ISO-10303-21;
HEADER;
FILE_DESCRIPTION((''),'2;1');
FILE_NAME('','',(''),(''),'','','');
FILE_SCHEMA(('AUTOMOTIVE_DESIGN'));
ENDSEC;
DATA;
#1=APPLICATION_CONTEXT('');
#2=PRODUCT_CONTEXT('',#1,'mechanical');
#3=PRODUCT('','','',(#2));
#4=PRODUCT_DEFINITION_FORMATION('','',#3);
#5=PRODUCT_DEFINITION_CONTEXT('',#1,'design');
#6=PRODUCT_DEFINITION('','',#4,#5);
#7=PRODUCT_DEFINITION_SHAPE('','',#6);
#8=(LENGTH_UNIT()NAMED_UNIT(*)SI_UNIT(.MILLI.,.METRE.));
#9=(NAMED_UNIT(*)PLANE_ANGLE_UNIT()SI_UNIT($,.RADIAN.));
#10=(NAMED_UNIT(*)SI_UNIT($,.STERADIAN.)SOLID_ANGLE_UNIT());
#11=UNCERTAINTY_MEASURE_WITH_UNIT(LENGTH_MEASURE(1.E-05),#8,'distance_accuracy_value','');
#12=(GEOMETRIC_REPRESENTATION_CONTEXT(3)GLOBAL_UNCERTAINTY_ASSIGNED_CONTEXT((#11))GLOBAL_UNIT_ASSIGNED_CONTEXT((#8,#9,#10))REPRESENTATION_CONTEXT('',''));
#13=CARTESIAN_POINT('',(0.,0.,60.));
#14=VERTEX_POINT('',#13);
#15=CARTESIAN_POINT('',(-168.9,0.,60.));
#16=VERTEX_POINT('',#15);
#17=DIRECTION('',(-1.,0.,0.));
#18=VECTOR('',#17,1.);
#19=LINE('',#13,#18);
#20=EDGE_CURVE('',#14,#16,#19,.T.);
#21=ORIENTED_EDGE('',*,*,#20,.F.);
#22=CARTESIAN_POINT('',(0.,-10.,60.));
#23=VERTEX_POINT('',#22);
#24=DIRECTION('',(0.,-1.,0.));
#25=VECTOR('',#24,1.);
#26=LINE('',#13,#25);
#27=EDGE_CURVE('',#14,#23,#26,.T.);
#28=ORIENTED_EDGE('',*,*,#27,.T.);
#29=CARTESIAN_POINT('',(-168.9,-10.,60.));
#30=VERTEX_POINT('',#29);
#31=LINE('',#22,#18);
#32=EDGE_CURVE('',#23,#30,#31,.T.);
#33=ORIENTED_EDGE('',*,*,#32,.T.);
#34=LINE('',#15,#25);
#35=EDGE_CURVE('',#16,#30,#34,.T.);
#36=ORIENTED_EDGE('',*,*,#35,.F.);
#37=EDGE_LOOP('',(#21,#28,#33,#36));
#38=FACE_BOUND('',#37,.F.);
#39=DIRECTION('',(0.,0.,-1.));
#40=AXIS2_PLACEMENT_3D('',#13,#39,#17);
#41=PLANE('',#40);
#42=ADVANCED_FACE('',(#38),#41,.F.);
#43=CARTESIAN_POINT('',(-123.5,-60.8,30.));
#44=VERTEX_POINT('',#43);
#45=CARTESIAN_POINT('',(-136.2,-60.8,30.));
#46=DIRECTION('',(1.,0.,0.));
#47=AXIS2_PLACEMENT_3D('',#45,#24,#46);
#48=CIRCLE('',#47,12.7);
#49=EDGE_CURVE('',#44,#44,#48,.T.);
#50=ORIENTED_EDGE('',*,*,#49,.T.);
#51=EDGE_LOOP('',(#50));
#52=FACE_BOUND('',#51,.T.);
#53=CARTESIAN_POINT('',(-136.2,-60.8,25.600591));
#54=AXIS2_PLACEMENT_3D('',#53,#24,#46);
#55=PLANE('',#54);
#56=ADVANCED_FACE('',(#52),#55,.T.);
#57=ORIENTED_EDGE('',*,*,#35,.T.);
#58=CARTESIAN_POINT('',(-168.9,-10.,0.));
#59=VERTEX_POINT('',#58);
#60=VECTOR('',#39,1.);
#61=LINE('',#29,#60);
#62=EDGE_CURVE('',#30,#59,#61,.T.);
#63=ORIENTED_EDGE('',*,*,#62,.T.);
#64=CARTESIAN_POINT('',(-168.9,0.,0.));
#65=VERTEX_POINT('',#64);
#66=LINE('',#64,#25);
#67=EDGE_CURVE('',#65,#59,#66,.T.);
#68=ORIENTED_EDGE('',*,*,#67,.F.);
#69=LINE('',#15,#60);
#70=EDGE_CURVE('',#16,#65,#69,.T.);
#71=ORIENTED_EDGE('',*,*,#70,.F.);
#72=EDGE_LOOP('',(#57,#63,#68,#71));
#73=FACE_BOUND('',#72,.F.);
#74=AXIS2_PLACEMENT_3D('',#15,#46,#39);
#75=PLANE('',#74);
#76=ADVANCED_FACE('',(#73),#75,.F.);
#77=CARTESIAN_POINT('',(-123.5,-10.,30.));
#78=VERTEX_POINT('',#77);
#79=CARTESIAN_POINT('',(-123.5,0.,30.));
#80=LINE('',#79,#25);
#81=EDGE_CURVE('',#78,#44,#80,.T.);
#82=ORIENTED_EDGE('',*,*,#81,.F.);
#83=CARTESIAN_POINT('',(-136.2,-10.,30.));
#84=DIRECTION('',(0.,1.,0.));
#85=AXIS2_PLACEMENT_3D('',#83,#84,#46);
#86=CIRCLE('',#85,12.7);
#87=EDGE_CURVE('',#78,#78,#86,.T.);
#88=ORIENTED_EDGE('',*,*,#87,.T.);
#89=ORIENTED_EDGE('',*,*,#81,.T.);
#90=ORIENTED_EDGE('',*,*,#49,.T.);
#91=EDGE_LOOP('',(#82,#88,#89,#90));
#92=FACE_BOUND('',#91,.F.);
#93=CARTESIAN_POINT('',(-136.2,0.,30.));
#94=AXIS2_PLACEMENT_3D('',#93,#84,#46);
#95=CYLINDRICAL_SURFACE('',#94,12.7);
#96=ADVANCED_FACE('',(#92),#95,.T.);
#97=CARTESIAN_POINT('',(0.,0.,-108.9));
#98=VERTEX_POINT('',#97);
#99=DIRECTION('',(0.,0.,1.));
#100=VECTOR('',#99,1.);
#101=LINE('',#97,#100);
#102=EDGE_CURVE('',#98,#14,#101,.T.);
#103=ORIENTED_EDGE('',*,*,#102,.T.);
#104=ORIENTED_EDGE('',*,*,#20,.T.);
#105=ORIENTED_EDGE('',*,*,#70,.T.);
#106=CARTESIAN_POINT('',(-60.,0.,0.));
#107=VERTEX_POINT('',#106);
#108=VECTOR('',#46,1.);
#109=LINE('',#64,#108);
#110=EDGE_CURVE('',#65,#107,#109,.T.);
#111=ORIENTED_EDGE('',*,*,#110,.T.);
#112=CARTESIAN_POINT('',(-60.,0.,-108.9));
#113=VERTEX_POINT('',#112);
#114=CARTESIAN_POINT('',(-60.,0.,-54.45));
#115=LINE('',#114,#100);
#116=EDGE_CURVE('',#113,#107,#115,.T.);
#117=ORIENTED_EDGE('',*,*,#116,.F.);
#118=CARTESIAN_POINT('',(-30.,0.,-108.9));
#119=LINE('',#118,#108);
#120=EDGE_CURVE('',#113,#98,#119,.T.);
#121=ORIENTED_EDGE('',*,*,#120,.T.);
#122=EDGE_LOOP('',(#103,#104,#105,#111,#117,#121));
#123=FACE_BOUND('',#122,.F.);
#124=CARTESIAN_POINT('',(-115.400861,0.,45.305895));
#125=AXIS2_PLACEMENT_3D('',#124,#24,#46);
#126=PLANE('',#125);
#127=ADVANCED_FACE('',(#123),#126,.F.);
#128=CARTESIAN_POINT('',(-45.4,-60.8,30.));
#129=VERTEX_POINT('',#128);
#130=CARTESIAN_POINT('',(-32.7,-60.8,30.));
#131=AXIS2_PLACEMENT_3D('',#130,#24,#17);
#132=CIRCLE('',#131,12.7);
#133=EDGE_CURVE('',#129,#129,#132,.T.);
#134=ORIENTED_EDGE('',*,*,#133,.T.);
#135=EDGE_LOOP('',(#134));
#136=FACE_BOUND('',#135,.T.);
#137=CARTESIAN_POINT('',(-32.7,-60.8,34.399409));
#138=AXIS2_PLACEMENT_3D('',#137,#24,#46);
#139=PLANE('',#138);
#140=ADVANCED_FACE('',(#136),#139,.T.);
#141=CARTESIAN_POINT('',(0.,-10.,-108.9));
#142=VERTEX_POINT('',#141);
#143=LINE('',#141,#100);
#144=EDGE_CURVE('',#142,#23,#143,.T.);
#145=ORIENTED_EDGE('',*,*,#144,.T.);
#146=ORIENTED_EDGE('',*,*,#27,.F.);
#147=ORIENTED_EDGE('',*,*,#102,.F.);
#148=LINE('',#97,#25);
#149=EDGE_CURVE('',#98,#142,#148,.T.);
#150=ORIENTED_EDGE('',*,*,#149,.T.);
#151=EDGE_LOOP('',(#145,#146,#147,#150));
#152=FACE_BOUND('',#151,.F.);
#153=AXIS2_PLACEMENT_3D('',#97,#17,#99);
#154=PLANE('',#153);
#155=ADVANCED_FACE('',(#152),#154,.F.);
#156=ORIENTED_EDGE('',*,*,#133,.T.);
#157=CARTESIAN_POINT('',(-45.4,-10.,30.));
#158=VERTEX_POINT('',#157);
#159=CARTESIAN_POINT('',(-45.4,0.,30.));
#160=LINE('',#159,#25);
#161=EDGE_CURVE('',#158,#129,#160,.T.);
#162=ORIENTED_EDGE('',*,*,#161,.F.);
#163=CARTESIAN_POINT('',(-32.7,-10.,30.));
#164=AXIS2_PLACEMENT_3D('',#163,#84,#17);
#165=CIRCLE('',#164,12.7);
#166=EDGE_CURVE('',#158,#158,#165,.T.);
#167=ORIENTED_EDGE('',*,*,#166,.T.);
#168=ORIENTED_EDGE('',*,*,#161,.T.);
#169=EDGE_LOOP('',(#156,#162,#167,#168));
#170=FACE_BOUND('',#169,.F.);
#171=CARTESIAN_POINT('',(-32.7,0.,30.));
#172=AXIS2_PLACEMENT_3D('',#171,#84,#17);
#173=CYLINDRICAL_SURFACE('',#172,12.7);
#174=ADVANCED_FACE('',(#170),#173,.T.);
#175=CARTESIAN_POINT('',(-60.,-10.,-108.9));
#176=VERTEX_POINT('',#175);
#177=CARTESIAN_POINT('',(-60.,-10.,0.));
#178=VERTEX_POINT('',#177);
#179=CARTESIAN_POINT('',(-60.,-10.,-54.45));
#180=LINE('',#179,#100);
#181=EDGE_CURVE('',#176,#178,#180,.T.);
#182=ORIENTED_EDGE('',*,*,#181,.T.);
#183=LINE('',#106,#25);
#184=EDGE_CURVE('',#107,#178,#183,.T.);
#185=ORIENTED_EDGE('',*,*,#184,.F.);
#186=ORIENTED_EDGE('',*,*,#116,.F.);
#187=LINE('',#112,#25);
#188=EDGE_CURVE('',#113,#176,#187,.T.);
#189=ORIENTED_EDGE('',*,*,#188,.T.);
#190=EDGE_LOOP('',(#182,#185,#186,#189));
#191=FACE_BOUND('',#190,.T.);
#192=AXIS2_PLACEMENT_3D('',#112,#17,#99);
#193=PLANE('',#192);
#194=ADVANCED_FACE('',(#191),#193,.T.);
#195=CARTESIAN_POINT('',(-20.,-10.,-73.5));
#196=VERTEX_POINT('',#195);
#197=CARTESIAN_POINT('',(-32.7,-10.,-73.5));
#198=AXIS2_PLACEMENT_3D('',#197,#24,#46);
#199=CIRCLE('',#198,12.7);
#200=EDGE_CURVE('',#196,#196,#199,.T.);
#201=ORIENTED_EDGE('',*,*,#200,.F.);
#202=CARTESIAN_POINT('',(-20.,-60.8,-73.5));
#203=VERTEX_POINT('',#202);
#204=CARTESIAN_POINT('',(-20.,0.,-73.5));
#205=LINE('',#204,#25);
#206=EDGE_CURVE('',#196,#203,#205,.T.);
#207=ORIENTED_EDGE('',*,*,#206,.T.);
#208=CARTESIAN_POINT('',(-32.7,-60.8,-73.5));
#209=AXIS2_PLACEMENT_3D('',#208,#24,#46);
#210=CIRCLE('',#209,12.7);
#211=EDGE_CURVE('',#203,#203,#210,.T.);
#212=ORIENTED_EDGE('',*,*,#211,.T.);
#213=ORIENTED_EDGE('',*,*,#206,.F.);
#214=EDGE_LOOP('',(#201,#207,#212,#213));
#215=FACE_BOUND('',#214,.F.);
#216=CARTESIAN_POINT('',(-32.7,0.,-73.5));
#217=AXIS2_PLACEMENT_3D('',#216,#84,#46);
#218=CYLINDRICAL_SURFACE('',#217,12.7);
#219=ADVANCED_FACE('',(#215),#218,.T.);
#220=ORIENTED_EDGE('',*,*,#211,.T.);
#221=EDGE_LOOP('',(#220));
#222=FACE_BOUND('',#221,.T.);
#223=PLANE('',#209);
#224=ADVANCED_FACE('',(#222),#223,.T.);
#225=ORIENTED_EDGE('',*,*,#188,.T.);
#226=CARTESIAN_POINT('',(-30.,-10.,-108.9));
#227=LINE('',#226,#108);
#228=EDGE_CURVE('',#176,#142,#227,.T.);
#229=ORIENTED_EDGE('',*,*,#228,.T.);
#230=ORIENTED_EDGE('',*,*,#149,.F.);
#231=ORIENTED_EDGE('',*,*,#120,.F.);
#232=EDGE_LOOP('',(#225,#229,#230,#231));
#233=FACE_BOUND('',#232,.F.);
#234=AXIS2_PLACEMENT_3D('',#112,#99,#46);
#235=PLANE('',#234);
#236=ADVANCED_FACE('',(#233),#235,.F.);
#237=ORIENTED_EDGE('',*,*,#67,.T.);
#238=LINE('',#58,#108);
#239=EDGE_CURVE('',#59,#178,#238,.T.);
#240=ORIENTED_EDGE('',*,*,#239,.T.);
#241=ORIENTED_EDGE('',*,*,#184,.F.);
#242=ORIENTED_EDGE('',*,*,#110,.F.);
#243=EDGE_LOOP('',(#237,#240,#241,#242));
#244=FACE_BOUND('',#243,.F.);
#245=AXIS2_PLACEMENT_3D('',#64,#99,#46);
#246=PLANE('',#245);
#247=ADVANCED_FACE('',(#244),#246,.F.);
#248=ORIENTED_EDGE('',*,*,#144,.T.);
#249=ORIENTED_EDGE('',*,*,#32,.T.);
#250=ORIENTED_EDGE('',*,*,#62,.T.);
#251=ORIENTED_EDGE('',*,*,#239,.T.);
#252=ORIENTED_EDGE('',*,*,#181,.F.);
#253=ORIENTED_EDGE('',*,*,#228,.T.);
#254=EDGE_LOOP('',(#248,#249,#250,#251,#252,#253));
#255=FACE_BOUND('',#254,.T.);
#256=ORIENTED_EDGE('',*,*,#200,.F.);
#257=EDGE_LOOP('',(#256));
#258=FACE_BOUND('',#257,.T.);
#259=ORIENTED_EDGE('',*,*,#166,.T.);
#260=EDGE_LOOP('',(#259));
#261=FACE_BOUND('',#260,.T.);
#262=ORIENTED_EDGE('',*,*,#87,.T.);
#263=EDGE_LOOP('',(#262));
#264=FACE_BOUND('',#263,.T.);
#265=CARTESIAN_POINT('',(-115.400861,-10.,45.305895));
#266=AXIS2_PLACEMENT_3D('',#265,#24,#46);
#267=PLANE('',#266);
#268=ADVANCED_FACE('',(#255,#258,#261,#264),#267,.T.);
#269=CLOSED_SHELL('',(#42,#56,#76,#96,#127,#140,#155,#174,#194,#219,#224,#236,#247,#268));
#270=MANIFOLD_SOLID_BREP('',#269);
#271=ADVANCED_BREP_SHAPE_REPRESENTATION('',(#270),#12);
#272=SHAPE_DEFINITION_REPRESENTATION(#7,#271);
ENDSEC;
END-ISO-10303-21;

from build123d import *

# Parameters (mm, degrees)
F0_W     = 60
F0_H     = 108.9
F0_R     = 12.7
F1_DEPTH = 10
F2_DEPTH = 60.8


with BuildPart() as f1:
    # F0 (on Front) → F1 (new body)
    with BuildSketch(Plane.XZ):
        with BuildLine():
            Line((-60, 60), (-168.9, 60))
            Line((-168.9, 60), (-168.9, 30))
            Line((-168.9, 30), (-148.9, 30))
            ThreePointArc((-148.9, 30), (-136.2, 42.7), (-123.5, 30))
            Line((-123.5, 30), (-60, 30))
            Line((-60, 30), (-60, 60))
        make_face()
        with BuildLine():
            Line((0, 60), (-60, 60))
            Line((-60, 60), (-60, 30))
            Line((-60, 30), (-45.4, 30))
            ThreePointArc((-45.4, 30), (-32.7, 42.7), (-20, 30))
            Line((-20, 30), (0, 30))
            Line((0, 30), (0, 60))
        make_face()
        with BuildLine():
            Line((-148.9, 30), (-168.9, 30))
            Line((-168.9, 30), (-168.9, 0))
            Line((-168.9, 0), (-60, 0))
            Line((-60, 0), (-60, 30))
            Line((-60, 30), (-123.5, 30))
            ThreePointArc((-123.5, 30), (-136.2, 17.3), (-148.9, 30))
        make_face()
        with BuildLine():
            Line((-45.4, 30), (-60, 30))
            Line((-60, 30), (-60, 0))
            Line((-60, 0), (0, 0))
            Line((0, 0), (0, 30))
            Line((0, 30), (-20, 30))
            ThreePointArc((-20, 30), (-32.7, 17.3), (-45.4, 30))
        make_face()
        with Locations((-30, -54.45)):
            Rectangle(F0_W, F0_H)
        with Locations((-32.7, -73.5)):
            Circle(F0_R, mode=Mode.SUBTRACT)
    extrude(amount=F1_DEPTH)

    # F0 (on Front) → F2 (join)
    with BuildSketch(Plane.XZ):
        with BuildLine():
            Line((-123.5, 30), (-148.9, 30))
            ThreePointArc((-148.9, 30), (-136.2, 17.3), (-123.5, 30))
        make_face()
        with BuildLine():
            ThreePointArc((-123.5, 30), (-136.2, 42.7), (-148.9, 30))
            Line((-148.9, 30), (-123.5, 30))
        make_face()
        with BuildLine():
            ThreePointArc((-20, 30), (-32.7, 42.7), (-45.4, 30))
            Line((-45.4, 30), (-20, 30))
        make_face()
        with BuildLine():
            Line((-20, 30), (-45.4, 30))
            ThreePointArc((-45.4, 30), (-32.7, 17.3), (-20, 30))
        make_face()
        with Locations((-32.7, -73.5)):
            Circle(F0_R)
    extrude(amount=F2_DEPTH)


solid = f1.part
